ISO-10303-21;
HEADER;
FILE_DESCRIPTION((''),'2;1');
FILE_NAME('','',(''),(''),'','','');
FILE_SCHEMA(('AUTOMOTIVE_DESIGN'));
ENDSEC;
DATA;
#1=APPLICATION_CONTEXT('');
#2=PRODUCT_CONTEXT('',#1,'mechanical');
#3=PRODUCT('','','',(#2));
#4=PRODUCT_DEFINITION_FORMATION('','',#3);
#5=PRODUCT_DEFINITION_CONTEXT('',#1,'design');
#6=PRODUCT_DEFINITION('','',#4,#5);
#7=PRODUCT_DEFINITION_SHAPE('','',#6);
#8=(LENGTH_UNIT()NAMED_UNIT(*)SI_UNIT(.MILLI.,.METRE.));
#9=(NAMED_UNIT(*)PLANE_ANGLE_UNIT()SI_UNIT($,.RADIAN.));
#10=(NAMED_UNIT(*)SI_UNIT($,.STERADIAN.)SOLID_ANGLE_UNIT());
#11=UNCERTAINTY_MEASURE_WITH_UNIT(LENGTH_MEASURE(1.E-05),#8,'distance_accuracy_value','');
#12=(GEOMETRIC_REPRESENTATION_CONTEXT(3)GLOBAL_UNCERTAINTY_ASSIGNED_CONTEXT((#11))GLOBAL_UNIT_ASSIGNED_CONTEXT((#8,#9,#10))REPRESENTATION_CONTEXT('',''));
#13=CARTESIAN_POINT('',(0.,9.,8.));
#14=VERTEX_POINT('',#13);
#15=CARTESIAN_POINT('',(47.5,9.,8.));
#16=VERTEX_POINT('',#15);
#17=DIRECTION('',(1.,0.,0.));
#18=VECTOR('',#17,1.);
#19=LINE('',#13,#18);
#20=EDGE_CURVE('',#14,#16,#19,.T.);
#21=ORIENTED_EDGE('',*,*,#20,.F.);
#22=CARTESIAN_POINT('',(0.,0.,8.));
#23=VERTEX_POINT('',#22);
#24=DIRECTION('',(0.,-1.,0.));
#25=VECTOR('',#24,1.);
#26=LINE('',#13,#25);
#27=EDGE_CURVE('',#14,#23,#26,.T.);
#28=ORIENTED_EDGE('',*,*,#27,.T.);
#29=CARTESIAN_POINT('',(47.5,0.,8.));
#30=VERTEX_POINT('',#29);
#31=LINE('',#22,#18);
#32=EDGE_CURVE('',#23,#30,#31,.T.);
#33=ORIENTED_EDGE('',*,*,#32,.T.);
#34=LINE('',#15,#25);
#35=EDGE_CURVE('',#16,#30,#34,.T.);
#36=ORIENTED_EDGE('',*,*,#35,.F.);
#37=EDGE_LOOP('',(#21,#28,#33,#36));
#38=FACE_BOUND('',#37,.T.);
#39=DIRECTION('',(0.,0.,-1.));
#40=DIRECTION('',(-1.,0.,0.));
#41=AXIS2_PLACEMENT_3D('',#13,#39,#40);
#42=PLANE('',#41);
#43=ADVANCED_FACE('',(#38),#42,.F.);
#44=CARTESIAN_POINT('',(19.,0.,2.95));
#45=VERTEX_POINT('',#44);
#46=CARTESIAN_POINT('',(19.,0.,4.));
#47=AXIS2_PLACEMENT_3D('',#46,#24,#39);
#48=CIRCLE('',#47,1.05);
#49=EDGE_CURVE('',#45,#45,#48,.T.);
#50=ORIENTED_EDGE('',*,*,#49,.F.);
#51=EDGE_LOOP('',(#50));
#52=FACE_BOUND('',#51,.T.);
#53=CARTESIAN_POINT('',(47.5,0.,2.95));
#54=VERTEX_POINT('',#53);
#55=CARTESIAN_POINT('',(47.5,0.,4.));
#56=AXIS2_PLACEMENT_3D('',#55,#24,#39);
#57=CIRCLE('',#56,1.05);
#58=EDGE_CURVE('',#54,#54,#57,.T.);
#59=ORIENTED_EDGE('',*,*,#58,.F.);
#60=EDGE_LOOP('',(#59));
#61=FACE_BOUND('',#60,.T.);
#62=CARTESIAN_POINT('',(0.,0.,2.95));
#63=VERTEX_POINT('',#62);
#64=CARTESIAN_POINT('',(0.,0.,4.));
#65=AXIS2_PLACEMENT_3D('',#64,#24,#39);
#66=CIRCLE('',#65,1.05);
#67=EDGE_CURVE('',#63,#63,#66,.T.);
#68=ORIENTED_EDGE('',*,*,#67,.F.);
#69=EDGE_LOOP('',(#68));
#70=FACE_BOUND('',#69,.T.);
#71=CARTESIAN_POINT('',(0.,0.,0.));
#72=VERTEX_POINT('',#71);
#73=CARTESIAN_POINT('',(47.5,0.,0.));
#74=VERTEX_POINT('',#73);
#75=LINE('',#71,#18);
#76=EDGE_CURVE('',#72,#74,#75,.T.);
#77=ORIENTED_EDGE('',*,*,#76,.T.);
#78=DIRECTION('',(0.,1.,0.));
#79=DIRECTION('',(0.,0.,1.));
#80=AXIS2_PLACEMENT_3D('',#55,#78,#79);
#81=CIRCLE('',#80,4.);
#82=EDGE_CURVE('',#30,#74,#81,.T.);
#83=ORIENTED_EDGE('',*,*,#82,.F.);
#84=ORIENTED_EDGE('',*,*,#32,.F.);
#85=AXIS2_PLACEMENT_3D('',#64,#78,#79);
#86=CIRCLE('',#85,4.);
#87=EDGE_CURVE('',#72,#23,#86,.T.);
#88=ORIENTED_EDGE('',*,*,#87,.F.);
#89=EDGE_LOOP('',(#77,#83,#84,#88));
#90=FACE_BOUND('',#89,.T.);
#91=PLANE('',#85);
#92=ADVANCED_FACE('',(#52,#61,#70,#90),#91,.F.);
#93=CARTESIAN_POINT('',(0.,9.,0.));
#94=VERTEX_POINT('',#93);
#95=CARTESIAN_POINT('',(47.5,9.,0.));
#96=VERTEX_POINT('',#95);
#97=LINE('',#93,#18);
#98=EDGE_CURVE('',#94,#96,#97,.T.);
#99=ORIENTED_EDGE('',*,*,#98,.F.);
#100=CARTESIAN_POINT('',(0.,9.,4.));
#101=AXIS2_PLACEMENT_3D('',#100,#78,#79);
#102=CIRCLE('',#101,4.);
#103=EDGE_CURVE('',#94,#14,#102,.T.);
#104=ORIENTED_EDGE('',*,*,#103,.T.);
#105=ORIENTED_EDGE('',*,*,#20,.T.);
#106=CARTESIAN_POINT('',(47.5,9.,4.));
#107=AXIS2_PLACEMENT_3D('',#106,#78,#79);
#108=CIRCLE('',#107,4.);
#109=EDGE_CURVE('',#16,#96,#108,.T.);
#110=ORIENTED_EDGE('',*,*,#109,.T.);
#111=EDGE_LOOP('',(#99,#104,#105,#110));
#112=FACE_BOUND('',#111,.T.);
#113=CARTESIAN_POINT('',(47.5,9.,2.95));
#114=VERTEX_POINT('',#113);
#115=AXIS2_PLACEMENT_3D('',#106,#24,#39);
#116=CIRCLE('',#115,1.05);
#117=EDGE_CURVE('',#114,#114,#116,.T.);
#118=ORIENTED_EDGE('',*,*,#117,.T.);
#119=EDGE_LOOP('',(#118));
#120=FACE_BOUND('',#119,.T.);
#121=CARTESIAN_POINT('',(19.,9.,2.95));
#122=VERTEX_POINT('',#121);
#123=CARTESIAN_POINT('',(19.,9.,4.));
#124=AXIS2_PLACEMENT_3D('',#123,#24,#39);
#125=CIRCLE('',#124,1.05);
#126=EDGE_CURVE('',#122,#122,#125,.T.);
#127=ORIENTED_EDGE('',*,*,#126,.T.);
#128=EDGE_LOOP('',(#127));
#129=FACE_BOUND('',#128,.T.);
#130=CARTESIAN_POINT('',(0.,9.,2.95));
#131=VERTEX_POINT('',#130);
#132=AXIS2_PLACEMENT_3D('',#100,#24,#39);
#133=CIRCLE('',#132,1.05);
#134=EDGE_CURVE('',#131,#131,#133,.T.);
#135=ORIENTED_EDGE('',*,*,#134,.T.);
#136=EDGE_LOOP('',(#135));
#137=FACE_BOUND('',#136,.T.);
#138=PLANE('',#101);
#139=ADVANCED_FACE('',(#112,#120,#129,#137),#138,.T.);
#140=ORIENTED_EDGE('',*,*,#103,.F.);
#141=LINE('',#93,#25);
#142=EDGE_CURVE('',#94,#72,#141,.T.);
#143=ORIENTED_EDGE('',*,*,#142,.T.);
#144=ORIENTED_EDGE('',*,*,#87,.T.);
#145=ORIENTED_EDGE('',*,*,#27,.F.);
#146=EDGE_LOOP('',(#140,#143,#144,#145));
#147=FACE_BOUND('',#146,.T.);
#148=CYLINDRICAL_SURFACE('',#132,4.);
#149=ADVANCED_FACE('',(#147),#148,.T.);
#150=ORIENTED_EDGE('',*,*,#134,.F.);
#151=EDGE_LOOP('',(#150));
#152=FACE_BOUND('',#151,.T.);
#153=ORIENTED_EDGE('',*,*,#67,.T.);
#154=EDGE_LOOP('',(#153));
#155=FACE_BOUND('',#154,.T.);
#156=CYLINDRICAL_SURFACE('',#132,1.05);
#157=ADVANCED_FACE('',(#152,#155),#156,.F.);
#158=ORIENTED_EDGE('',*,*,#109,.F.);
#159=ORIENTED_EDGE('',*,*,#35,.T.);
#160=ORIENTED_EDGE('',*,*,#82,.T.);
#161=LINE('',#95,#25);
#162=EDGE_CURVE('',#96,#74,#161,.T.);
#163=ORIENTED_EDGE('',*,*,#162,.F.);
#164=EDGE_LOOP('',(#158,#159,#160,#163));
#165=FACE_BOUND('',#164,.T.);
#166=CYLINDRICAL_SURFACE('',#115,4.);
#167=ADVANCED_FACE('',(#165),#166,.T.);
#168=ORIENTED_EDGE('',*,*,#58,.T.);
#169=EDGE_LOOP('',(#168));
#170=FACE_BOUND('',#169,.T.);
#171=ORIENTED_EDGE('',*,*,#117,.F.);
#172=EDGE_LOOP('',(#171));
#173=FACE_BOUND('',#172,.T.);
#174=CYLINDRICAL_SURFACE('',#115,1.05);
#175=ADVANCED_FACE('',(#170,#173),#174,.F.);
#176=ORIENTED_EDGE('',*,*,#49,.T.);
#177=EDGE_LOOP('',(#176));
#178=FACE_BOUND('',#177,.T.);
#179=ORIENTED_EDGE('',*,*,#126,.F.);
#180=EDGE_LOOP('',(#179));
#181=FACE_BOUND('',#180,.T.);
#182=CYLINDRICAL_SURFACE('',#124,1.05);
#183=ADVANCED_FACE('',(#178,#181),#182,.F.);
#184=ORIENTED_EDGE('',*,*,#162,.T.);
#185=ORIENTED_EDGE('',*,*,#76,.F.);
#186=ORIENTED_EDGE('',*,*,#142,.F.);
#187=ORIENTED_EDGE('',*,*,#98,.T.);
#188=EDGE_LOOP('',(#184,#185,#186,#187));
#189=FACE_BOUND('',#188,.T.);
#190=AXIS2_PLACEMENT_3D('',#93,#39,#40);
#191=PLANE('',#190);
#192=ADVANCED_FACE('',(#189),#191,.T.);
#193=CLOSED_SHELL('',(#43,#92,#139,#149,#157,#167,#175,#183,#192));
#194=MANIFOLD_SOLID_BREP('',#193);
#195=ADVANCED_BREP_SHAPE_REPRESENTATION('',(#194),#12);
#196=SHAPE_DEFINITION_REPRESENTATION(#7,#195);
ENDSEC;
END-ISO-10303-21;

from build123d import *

# Parameters (mm, degrees)
EXTRUDE_1_DEPTH     = 9
SKETCH_3_R          = 1.05
CUT_EXTRUDE_1_DEPTH = 9


with BuildPart() as part:
    # 草图2 → 凸台-拉伸1 (new body)
    with BuildSketch(Plane(origin=(0, 0, 0), x_dir=(1, 0, 0), z_dir=(0, 1, 0))):
        with BuildLine():
            Line((0, 0), (47.5, 0))
            ThreePointArc((47.5, 0), (51.5, -4), (47.5, -8))
            Line((47.5, -8), (0, -8))
            ThreePointArc((0, -8), (-4, -4), (0, 0))
        make_face()
    extrude(amount=EXTRUDE_1_DEPTH)

    # 草图3 → 切除-拉伸1 (cut)
    with BuildSketch(Plane.XZ):
        with Locations((0, 4)):
            Circle(SKETCH_3_R)
        with Locations((19, 4)):
            Circle(SKETCH_3_R)
        with Locations((47.5, 4)):
            Circle(SKETCH_3_R)
    extrude(amount=-CUT_EXTRUDE_1_DEPTH, mode=Mode.SUBTRACT)


solid = part.part
